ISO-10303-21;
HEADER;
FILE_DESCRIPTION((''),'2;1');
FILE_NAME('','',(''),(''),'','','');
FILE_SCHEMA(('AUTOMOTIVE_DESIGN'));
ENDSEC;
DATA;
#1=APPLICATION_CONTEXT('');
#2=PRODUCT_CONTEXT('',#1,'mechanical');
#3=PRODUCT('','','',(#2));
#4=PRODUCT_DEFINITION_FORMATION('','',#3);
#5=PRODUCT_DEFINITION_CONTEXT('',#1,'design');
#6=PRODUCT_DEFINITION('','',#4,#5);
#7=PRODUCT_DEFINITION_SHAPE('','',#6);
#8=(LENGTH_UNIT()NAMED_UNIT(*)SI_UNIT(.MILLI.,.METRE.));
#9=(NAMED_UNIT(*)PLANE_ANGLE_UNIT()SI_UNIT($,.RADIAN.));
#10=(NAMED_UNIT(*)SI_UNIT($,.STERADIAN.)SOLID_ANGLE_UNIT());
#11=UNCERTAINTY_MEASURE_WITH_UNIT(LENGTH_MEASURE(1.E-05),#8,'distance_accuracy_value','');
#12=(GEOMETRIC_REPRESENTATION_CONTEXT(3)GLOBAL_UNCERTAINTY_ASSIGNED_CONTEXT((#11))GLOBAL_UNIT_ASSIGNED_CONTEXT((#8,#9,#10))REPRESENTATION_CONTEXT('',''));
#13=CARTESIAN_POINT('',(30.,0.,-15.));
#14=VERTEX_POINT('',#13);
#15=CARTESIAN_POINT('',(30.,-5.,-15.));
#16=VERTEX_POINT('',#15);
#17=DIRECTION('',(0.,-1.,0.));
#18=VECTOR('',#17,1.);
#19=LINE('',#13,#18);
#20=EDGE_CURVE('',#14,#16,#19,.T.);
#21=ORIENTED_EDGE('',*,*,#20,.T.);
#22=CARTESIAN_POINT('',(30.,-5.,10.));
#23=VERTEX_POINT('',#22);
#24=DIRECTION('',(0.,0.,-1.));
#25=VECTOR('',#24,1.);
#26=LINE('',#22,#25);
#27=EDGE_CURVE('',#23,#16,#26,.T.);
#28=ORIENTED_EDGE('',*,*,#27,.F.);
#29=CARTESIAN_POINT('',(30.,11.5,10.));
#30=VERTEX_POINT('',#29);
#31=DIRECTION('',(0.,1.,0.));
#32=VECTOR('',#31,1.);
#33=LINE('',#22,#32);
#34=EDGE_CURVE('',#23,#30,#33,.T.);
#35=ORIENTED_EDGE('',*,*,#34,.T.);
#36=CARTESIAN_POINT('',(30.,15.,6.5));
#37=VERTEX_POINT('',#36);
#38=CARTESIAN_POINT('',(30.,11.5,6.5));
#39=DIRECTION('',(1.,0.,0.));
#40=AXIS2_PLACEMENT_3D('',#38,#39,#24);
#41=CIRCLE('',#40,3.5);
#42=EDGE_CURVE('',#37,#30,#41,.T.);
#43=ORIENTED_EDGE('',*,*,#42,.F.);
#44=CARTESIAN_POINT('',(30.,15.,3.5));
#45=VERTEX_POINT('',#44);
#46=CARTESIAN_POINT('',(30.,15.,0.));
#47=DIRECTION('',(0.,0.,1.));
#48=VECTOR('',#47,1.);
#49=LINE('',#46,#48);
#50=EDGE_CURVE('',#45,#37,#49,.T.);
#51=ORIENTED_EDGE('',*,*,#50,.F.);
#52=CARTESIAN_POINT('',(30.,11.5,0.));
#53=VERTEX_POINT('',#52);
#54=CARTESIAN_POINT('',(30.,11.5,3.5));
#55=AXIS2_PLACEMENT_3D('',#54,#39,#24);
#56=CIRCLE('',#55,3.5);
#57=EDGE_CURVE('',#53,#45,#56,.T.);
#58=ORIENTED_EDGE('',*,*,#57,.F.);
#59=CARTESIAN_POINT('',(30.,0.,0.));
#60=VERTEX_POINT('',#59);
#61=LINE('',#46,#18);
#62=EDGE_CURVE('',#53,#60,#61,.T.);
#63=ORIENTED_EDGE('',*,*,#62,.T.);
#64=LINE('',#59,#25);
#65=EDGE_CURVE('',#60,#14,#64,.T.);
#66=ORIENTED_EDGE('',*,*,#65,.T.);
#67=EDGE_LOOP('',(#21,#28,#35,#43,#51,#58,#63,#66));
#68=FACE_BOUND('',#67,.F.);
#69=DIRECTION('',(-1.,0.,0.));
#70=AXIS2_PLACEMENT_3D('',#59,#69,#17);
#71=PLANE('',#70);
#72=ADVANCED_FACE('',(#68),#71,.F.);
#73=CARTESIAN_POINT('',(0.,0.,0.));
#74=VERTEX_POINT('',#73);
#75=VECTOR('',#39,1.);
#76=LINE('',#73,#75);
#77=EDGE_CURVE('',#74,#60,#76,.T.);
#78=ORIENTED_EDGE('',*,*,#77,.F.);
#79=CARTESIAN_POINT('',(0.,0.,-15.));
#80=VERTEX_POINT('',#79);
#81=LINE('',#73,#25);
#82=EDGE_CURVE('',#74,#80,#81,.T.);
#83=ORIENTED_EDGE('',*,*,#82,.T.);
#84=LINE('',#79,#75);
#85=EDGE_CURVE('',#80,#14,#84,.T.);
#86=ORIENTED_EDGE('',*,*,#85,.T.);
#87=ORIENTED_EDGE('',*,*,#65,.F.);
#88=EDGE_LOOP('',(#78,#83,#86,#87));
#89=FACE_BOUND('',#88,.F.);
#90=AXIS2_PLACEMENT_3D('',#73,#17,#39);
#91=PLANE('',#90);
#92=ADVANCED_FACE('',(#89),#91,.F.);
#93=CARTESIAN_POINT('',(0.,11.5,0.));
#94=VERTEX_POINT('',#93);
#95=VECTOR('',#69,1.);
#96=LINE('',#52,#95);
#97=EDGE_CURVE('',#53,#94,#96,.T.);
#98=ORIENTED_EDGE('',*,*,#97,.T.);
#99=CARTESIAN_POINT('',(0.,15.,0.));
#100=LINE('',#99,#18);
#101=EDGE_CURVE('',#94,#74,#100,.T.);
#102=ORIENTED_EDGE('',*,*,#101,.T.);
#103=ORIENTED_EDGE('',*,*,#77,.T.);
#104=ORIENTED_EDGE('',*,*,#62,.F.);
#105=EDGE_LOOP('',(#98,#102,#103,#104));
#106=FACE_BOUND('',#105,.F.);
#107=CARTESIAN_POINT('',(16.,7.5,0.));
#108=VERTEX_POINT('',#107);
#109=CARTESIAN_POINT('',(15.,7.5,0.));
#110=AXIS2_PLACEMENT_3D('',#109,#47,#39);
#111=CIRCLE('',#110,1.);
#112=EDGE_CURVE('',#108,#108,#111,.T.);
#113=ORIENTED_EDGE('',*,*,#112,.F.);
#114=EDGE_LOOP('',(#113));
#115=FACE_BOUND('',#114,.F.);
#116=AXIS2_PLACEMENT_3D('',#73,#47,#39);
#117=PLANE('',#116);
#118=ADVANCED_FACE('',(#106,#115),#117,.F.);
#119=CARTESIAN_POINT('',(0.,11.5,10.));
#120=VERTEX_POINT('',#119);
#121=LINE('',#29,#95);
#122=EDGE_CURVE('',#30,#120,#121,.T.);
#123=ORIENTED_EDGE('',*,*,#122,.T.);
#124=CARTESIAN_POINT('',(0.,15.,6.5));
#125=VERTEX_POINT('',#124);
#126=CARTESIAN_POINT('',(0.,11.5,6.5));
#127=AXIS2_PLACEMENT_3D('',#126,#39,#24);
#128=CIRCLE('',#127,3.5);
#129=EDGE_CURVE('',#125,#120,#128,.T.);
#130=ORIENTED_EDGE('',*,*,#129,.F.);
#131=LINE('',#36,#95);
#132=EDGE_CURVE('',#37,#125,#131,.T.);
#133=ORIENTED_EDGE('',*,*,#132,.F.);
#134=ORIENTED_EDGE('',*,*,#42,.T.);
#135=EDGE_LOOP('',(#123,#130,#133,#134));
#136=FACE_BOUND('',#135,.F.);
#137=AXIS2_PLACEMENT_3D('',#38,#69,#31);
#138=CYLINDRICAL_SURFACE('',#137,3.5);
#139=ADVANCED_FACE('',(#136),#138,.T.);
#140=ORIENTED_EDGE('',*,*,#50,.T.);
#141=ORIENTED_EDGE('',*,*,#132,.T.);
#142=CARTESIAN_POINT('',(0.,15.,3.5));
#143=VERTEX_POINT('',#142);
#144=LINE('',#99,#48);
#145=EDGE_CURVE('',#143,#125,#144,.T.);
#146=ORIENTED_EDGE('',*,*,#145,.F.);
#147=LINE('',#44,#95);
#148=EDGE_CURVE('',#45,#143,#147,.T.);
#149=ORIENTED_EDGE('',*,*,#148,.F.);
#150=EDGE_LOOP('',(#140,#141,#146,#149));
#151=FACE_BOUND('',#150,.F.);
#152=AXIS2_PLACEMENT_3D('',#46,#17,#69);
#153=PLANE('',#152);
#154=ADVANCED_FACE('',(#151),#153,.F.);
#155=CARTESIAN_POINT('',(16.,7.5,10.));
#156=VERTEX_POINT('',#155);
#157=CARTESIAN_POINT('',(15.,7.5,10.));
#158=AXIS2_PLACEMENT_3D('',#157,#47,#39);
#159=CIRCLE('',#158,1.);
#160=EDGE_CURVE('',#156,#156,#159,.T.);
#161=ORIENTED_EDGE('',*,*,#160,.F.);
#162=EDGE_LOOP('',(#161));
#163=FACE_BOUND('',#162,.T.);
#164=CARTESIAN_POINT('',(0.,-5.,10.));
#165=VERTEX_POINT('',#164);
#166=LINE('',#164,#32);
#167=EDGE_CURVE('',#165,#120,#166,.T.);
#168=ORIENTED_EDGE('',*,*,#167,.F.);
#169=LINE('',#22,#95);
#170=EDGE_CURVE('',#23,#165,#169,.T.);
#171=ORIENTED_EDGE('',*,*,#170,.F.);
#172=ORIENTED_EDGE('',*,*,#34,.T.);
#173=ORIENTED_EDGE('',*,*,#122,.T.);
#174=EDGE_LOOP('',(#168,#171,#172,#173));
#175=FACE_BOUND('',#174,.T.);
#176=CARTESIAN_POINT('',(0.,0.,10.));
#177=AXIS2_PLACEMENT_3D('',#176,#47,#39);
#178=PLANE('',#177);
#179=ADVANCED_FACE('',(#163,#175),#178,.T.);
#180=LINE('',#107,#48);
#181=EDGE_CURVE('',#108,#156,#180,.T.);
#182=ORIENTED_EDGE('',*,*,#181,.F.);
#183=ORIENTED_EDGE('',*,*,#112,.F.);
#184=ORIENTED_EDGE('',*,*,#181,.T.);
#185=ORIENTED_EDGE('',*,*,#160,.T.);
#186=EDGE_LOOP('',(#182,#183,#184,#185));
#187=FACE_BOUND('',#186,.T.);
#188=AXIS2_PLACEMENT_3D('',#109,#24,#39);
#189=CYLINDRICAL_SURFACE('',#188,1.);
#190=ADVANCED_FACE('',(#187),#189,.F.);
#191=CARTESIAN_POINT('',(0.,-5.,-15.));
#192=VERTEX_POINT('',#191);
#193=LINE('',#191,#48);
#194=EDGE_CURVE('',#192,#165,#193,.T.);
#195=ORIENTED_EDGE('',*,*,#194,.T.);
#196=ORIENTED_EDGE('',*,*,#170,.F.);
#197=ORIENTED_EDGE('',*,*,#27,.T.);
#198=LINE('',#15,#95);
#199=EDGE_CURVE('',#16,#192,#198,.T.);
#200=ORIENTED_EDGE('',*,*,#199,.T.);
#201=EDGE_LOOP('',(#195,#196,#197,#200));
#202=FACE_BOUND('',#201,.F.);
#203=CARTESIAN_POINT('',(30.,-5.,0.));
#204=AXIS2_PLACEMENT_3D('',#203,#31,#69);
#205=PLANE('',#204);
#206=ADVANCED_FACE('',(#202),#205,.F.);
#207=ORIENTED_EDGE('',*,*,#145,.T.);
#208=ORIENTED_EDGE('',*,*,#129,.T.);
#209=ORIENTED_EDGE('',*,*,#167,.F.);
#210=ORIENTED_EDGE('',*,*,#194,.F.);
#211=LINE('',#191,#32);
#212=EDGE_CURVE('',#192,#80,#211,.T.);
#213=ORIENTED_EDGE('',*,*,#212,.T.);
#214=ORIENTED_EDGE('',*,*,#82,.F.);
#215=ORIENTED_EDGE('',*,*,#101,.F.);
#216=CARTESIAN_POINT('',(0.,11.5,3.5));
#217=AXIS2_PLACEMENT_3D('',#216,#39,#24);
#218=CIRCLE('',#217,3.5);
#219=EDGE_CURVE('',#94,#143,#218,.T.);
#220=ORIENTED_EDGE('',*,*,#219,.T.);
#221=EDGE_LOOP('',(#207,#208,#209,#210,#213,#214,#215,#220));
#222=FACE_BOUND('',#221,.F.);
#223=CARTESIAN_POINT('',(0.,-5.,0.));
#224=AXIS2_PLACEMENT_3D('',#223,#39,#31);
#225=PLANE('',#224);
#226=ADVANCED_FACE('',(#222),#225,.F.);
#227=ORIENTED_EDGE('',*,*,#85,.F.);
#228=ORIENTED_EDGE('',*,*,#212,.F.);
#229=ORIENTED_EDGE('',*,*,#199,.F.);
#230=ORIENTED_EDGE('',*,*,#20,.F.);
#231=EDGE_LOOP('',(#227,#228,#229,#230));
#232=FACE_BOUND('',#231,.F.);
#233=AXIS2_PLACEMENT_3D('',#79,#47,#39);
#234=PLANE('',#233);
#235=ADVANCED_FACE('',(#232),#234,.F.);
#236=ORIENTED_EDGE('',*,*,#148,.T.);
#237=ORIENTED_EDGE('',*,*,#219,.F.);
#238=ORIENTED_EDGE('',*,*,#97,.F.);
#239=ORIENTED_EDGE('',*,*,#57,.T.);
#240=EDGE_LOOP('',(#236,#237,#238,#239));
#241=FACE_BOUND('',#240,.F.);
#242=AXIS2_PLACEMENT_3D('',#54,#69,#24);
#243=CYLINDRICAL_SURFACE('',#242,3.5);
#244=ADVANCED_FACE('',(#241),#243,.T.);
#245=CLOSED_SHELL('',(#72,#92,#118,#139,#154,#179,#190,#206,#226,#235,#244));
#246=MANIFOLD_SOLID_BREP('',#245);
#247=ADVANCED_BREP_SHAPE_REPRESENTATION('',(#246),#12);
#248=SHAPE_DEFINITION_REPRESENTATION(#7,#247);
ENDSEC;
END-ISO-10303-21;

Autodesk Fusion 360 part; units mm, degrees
sketch "Sketch1" plane through (0, 0, 0) normal (0, 0, 1) x (1, 0, 0)
  line L0 (0, 0) -> (30, 0)
  line L1 (30, 0) -> (30, 15)
  line L2 (30, 15) -> (0, 15)
  line L3 (0, 15) -> (0, 0)
  circle A0 centre (15, 7.5) radius 1
  line L4 (0, 0) -> (30, 0)
  line L5 (30, 0) -> (30, -5)
  line L6 (30, -5) -> (0, -5)
  line L7 (0, -5) -> (0, 0)
  dimension "d1" = 30
  dimension "d2" = 15
  dimension "d3" = 2
  dimension "d4" = 7.5
  dimension "d5" = 15
  dimension "d6" = 5
extrude "Extrude1" add sketch "Sketch1" along normal blind 10
extrude "Extrude2" add sketch "Sketch1" against normal blind 15 contours L0 L4 L5 L6 L7
fillet "Fillet1" radius 3.5 2 edges at (15, 15, 10) (15, 15, 0)
